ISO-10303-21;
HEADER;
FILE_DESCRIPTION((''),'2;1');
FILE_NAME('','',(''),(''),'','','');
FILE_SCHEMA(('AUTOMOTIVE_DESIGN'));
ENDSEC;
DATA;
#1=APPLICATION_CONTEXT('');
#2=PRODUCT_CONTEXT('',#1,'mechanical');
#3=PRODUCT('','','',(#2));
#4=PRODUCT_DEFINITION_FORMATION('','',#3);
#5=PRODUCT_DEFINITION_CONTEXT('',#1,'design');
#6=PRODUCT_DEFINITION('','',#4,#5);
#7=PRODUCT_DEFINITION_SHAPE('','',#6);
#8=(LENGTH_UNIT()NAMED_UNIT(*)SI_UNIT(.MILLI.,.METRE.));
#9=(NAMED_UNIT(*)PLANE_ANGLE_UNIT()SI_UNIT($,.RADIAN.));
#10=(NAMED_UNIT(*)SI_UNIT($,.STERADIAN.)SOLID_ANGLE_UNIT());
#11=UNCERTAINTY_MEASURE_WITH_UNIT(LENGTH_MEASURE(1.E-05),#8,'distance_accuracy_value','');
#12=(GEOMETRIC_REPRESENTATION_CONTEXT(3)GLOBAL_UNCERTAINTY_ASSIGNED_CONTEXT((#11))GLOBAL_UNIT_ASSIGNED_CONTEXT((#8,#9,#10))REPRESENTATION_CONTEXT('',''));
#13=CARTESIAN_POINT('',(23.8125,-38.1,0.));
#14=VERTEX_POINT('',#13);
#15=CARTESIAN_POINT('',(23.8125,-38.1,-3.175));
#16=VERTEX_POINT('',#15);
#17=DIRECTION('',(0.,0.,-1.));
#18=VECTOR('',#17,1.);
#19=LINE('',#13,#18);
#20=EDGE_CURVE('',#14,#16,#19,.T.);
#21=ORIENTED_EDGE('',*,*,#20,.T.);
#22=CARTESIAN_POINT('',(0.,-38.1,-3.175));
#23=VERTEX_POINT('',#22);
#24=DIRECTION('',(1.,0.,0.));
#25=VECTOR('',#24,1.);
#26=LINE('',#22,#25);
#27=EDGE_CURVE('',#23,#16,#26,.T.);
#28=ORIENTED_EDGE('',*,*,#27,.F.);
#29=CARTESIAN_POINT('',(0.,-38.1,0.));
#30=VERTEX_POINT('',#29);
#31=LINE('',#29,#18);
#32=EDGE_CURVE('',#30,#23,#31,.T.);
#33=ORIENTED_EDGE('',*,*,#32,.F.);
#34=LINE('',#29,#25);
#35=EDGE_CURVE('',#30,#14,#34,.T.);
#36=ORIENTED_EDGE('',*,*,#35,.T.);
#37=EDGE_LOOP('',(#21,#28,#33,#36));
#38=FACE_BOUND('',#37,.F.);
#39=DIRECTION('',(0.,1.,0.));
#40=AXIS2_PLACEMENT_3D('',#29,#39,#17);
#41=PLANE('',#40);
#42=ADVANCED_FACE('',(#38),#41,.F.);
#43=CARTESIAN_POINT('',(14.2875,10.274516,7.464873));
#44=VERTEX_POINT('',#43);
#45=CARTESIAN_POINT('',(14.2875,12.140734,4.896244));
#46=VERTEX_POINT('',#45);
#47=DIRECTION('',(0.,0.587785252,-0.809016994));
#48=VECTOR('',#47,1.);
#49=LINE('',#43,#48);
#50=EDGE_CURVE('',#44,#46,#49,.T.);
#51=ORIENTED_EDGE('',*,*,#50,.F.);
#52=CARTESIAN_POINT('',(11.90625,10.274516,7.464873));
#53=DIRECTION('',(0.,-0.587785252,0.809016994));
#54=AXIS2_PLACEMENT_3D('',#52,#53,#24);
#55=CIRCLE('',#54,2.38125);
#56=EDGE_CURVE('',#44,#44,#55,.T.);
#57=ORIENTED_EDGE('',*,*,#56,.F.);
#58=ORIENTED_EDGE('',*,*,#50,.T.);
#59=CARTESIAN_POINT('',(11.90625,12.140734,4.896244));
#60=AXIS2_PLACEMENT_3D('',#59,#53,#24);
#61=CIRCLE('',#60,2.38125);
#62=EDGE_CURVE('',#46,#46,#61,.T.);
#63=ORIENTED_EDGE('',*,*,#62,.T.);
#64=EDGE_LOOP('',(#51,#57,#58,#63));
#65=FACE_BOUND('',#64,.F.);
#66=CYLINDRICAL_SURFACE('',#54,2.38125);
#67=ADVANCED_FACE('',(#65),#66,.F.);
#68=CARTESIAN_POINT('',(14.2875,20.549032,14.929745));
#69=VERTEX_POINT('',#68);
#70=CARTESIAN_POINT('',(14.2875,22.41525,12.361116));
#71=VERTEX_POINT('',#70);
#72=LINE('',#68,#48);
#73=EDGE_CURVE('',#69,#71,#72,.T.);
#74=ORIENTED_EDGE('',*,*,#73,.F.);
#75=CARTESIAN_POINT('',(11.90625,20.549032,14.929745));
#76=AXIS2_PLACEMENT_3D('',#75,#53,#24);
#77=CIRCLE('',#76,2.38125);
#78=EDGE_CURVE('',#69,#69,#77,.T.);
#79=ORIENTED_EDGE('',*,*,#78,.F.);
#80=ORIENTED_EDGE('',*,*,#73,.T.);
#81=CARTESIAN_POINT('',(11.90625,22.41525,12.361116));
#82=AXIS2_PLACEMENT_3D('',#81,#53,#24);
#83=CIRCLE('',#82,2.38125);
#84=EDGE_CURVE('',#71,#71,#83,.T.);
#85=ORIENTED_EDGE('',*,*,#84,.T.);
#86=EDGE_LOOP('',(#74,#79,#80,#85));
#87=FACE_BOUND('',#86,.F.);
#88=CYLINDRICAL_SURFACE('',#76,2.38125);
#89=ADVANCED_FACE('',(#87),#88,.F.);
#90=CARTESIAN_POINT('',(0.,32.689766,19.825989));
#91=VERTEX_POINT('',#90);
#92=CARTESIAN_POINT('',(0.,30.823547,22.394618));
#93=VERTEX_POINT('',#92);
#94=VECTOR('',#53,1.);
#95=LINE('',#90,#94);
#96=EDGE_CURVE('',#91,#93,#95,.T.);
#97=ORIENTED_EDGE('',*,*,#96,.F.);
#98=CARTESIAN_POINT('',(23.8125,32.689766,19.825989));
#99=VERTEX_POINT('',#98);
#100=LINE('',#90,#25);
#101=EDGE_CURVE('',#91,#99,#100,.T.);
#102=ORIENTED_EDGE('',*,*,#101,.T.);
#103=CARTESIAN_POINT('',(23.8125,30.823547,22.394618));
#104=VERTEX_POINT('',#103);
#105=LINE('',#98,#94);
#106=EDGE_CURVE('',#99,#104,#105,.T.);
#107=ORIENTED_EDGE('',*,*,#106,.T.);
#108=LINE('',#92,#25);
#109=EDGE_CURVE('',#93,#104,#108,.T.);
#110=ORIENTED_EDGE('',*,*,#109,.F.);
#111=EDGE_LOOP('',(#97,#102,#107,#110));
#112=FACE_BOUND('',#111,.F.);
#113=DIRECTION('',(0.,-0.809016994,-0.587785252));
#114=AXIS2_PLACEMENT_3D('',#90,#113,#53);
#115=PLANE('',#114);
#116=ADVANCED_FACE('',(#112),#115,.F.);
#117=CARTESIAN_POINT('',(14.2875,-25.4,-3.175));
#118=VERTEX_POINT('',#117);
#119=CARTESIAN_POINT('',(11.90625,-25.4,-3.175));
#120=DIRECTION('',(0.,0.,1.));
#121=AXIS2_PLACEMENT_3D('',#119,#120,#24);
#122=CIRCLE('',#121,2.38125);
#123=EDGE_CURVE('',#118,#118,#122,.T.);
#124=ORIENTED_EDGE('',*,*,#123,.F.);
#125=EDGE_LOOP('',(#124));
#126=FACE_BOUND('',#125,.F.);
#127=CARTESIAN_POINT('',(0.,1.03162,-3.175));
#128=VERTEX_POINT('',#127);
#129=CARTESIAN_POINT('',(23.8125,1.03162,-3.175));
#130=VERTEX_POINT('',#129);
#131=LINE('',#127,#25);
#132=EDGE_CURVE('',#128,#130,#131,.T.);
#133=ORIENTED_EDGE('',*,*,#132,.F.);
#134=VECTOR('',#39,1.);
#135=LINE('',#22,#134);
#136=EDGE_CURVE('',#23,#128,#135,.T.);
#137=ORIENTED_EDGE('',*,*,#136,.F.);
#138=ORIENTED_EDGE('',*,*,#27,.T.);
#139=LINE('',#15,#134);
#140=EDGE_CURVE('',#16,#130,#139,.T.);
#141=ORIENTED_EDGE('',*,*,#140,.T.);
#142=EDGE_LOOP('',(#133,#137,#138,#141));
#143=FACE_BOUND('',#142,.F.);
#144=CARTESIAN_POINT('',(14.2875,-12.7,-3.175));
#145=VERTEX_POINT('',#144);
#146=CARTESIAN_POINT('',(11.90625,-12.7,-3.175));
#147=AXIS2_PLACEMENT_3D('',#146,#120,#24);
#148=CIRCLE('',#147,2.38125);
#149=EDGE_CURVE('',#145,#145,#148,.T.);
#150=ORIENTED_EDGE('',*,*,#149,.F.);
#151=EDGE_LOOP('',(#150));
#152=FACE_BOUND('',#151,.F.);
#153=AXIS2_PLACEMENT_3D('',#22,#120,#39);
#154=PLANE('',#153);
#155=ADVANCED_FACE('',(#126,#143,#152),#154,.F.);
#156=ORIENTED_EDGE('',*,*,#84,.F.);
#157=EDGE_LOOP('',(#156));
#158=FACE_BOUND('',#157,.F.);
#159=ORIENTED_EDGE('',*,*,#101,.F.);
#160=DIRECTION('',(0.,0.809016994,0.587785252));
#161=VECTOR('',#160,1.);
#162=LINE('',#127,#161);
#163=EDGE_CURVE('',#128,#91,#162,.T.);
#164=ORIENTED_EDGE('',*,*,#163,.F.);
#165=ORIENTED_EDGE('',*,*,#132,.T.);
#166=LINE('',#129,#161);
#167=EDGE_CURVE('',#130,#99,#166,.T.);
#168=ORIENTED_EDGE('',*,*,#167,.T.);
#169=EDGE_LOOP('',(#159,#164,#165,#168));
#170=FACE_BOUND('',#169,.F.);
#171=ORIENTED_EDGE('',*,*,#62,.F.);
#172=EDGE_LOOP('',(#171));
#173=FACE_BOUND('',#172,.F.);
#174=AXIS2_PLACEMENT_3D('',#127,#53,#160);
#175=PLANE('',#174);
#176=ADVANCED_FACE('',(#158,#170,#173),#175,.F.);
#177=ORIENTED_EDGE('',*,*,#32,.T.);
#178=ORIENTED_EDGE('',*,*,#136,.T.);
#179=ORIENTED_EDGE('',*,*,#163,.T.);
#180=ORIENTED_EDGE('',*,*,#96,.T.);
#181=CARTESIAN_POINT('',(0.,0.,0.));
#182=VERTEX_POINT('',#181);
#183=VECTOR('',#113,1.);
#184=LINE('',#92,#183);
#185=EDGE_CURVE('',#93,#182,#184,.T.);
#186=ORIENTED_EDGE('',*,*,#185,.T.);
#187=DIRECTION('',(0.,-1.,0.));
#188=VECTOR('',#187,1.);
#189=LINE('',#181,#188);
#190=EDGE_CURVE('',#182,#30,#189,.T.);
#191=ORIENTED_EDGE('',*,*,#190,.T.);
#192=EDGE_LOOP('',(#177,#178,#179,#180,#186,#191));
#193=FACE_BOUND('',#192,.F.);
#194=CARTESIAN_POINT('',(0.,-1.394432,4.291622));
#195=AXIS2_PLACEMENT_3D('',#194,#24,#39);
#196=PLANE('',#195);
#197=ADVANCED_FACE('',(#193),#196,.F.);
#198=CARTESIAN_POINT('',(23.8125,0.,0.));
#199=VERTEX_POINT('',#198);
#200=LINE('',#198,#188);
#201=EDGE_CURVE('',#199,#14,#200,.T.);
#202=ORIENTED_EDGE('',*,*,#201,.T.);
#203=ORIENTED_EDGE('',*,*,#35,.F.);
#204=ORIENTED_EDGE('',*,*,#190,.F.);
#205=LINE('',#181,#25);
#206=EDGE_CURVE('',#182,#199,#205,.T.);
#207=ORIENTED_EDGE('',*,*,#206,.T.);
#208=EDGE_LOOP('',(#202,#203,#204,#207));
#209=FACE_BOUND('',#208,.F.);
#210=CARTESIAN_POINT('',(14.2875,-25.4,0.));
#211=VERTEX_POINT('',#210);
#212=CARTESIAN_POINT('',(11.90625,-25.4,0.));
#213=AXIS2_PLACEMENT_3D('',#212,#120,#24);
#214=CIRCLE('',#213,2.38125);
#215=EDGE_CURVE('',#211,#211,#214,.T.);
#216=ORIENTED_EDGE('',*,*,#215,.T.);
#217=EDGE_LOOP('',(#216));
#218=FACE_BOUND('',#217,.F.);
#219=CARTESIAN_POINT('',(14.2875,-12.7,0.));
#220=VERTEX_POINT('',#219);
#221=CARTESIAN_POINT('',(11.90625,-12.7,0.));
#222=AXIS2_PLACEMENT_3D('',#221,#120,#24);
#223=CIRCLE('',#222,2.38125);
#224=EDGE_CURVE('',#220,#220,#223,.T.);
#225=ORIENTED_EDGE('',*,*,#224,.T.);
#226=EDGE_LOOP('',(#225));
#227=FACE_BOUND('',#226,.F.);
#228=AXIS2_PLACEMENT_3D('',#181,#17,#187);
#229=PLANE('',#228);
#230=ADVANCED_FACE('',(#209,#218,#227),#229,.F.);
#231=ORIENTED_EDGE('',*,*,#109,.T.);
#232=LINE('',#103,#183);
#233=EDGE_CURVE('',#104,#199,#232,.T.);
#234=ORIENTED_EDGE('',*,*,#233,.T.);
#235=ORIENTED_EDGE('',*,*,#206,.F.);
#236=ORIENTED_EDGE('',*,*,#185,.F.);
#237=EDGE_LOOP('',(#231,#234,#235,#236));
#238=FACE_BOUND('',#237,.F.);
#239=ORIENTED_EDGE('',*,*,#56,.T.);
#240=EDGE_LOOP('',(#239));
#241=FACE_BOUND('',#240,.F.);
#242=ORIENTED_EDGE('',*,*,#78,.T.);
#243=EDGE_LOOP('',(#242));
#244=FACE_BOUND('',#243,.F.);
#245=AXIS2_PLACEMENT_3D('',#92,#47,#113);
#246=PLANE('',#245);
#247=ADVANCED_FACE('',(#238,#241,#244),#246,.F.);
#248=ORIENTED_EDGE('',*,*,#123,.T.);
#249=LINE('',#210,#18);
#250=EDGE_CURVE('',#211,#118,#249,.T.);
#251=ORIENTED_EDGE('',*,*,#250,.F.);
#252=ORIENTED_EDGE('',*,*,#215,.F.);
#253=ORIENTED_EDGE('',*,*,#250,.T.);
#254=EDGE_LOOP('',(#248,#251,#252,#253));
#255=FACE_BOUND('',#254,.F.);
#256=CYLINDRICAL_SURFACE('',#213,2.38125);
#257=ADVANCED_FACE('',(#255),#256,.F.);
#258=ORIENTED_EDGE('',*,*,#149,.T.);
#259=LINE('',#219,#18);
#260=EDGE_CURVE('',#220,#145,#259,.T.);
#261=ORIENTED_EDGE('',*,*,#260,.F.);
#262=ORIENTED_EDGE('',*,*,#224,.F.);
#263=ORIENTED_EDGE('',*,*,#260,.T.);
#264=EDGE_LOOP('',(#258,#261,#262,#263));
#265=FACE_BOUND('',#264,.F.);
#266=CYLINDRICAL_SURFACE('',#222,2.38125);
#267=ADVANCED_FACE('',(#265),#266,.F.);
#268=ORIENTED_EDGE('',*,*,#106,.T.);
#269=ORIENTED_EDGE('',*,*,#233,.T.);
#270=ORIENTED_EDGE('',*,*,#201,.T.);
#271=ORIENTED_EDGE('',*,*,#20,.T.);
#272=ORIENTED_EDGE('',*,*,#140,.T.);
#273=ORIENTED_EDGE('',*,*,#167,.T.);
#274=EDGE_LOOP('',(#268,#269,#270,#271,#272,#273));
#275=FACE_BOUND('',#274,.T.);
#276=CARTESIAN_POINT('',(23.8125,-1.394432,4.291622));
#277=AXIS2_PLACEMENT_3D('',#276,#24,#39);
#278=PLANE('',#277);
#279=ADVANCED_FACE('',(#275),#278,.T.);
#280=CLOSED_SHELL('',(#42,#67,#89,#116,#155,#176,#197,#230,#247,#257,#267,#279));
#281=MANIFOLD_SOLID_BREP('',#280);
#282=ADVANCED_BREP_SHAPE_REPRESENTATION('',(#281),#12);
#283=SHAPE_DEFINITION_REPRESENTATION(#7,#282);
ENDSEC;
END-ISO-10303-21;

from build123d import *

# Parameters (mm, degrees)
F1_DEPTH = 23.8125
F3_DEPTH = 25.4
F5_DEPTH = 25.4


with BuildPart() as f1:
    # F0 (on Right) → F1 (new body)
    with BuildSketch(Plane.YZ):
        Polygon((30.8235474857, 22.3946181123), (0, 0), (-38.1, 0), (-38.1, -3.175), (1.0316200355, -3.175), (32.6897656617, 19.8259891552), align=None)
    extrude(amount=F1_DEPTH)

    # F2 (on face) → F3 (cut)
    with BuildSketch(Plane.XY):
        with BuildLine():
            ThreePointArc((11.90625, -23.01875), (9.525, -25.4), (11.90625, -27.78125))
            Line((11.90625, -27.78125), (11.90625, -23.01875))
        make_face()
        with BuildLine():
            ThreePointArc((11.90625, -10.31875), (9.525, -12.7), (11.90625, -15.08125))
            Line((11.90625, -15.08125), (11.90625, -10.31875))
        make_face()
        with BuildLine():
            Line((11.90625, -10.31875), (11.90625, -15.08125))
            ThreePointArc((11.90625, -15.08125), (13.5900480227, -14.3837980227), (14.2875, -12.7))
            ThreePointArc((14.2875, -12.7), (13.5900480227, -11.0162019773), (11.90625, -10.31875))
        make_face()
        with BuildLine():
            Line((11.90625, -23.01875), (11.90625, -27.78125))
            ThreePointArc((11.90625, -27.78125), (13.5900480227, -27.0837980227), (14.2875, -25.4))
            ThreePointArc((14.2875, -25.4), (13.5900480227, -23.7162019773), (11.90625, -23.01875))
        make_face()
    extrude(amount=-F3_DEPTH, mode=Mode.SUBTRACT)

    # F4 (on face) → F5 (cut)
    with BuildSketch(Plane(origin=(0, 0, 0), x_dir=(1, 0, 0), z_dir=(0, -0.5877852523, 0.8090169944))):
        with BuildLine():
            ThreePointArc((11.90625, 15.08125), (9.525, 12.7), (11.90625, 10.31875))
            Line((11.90625, 10.31875), (11.90625, 15.08125))
        make_face()
        with BuildLine():
            ThreePointArc((11.90625, 27.78125), (9.525, 25.4), (11.90625, 23.01875))
            Line((11.90625, 23.01875), (11.90625, 27.78125))
        make_face()
        with BuildLine():
            Line((11.90625, 27.78125), (11.90625, 23.01875))
            ThreePointArc((11.90625, 23.01875), (13.5900480227, 23.7162019773), (14.2875, 25.4))
            ThreePointArc((14.2875, 25.4), (13.5900480227, 27.0837980227), (11.90625, 27.78125))
        make_face()
        with BuildLine():
            Line((11.90625, 15.08125), (11.90625, 10.31875))
            ThreePointArc((11.90625, 10.31875), (13.5900480227, 11.0162019773), (14.2875, 12.7))
            ThreePointArc((14.2875, 12.7), (13.5900480227, 14.3837980227), (11.90625, 15.08125))
        make_face()
    extrude(amount=-F5_DEPTH, mode=Mode.SUBTRACT)


solid = f1.part
